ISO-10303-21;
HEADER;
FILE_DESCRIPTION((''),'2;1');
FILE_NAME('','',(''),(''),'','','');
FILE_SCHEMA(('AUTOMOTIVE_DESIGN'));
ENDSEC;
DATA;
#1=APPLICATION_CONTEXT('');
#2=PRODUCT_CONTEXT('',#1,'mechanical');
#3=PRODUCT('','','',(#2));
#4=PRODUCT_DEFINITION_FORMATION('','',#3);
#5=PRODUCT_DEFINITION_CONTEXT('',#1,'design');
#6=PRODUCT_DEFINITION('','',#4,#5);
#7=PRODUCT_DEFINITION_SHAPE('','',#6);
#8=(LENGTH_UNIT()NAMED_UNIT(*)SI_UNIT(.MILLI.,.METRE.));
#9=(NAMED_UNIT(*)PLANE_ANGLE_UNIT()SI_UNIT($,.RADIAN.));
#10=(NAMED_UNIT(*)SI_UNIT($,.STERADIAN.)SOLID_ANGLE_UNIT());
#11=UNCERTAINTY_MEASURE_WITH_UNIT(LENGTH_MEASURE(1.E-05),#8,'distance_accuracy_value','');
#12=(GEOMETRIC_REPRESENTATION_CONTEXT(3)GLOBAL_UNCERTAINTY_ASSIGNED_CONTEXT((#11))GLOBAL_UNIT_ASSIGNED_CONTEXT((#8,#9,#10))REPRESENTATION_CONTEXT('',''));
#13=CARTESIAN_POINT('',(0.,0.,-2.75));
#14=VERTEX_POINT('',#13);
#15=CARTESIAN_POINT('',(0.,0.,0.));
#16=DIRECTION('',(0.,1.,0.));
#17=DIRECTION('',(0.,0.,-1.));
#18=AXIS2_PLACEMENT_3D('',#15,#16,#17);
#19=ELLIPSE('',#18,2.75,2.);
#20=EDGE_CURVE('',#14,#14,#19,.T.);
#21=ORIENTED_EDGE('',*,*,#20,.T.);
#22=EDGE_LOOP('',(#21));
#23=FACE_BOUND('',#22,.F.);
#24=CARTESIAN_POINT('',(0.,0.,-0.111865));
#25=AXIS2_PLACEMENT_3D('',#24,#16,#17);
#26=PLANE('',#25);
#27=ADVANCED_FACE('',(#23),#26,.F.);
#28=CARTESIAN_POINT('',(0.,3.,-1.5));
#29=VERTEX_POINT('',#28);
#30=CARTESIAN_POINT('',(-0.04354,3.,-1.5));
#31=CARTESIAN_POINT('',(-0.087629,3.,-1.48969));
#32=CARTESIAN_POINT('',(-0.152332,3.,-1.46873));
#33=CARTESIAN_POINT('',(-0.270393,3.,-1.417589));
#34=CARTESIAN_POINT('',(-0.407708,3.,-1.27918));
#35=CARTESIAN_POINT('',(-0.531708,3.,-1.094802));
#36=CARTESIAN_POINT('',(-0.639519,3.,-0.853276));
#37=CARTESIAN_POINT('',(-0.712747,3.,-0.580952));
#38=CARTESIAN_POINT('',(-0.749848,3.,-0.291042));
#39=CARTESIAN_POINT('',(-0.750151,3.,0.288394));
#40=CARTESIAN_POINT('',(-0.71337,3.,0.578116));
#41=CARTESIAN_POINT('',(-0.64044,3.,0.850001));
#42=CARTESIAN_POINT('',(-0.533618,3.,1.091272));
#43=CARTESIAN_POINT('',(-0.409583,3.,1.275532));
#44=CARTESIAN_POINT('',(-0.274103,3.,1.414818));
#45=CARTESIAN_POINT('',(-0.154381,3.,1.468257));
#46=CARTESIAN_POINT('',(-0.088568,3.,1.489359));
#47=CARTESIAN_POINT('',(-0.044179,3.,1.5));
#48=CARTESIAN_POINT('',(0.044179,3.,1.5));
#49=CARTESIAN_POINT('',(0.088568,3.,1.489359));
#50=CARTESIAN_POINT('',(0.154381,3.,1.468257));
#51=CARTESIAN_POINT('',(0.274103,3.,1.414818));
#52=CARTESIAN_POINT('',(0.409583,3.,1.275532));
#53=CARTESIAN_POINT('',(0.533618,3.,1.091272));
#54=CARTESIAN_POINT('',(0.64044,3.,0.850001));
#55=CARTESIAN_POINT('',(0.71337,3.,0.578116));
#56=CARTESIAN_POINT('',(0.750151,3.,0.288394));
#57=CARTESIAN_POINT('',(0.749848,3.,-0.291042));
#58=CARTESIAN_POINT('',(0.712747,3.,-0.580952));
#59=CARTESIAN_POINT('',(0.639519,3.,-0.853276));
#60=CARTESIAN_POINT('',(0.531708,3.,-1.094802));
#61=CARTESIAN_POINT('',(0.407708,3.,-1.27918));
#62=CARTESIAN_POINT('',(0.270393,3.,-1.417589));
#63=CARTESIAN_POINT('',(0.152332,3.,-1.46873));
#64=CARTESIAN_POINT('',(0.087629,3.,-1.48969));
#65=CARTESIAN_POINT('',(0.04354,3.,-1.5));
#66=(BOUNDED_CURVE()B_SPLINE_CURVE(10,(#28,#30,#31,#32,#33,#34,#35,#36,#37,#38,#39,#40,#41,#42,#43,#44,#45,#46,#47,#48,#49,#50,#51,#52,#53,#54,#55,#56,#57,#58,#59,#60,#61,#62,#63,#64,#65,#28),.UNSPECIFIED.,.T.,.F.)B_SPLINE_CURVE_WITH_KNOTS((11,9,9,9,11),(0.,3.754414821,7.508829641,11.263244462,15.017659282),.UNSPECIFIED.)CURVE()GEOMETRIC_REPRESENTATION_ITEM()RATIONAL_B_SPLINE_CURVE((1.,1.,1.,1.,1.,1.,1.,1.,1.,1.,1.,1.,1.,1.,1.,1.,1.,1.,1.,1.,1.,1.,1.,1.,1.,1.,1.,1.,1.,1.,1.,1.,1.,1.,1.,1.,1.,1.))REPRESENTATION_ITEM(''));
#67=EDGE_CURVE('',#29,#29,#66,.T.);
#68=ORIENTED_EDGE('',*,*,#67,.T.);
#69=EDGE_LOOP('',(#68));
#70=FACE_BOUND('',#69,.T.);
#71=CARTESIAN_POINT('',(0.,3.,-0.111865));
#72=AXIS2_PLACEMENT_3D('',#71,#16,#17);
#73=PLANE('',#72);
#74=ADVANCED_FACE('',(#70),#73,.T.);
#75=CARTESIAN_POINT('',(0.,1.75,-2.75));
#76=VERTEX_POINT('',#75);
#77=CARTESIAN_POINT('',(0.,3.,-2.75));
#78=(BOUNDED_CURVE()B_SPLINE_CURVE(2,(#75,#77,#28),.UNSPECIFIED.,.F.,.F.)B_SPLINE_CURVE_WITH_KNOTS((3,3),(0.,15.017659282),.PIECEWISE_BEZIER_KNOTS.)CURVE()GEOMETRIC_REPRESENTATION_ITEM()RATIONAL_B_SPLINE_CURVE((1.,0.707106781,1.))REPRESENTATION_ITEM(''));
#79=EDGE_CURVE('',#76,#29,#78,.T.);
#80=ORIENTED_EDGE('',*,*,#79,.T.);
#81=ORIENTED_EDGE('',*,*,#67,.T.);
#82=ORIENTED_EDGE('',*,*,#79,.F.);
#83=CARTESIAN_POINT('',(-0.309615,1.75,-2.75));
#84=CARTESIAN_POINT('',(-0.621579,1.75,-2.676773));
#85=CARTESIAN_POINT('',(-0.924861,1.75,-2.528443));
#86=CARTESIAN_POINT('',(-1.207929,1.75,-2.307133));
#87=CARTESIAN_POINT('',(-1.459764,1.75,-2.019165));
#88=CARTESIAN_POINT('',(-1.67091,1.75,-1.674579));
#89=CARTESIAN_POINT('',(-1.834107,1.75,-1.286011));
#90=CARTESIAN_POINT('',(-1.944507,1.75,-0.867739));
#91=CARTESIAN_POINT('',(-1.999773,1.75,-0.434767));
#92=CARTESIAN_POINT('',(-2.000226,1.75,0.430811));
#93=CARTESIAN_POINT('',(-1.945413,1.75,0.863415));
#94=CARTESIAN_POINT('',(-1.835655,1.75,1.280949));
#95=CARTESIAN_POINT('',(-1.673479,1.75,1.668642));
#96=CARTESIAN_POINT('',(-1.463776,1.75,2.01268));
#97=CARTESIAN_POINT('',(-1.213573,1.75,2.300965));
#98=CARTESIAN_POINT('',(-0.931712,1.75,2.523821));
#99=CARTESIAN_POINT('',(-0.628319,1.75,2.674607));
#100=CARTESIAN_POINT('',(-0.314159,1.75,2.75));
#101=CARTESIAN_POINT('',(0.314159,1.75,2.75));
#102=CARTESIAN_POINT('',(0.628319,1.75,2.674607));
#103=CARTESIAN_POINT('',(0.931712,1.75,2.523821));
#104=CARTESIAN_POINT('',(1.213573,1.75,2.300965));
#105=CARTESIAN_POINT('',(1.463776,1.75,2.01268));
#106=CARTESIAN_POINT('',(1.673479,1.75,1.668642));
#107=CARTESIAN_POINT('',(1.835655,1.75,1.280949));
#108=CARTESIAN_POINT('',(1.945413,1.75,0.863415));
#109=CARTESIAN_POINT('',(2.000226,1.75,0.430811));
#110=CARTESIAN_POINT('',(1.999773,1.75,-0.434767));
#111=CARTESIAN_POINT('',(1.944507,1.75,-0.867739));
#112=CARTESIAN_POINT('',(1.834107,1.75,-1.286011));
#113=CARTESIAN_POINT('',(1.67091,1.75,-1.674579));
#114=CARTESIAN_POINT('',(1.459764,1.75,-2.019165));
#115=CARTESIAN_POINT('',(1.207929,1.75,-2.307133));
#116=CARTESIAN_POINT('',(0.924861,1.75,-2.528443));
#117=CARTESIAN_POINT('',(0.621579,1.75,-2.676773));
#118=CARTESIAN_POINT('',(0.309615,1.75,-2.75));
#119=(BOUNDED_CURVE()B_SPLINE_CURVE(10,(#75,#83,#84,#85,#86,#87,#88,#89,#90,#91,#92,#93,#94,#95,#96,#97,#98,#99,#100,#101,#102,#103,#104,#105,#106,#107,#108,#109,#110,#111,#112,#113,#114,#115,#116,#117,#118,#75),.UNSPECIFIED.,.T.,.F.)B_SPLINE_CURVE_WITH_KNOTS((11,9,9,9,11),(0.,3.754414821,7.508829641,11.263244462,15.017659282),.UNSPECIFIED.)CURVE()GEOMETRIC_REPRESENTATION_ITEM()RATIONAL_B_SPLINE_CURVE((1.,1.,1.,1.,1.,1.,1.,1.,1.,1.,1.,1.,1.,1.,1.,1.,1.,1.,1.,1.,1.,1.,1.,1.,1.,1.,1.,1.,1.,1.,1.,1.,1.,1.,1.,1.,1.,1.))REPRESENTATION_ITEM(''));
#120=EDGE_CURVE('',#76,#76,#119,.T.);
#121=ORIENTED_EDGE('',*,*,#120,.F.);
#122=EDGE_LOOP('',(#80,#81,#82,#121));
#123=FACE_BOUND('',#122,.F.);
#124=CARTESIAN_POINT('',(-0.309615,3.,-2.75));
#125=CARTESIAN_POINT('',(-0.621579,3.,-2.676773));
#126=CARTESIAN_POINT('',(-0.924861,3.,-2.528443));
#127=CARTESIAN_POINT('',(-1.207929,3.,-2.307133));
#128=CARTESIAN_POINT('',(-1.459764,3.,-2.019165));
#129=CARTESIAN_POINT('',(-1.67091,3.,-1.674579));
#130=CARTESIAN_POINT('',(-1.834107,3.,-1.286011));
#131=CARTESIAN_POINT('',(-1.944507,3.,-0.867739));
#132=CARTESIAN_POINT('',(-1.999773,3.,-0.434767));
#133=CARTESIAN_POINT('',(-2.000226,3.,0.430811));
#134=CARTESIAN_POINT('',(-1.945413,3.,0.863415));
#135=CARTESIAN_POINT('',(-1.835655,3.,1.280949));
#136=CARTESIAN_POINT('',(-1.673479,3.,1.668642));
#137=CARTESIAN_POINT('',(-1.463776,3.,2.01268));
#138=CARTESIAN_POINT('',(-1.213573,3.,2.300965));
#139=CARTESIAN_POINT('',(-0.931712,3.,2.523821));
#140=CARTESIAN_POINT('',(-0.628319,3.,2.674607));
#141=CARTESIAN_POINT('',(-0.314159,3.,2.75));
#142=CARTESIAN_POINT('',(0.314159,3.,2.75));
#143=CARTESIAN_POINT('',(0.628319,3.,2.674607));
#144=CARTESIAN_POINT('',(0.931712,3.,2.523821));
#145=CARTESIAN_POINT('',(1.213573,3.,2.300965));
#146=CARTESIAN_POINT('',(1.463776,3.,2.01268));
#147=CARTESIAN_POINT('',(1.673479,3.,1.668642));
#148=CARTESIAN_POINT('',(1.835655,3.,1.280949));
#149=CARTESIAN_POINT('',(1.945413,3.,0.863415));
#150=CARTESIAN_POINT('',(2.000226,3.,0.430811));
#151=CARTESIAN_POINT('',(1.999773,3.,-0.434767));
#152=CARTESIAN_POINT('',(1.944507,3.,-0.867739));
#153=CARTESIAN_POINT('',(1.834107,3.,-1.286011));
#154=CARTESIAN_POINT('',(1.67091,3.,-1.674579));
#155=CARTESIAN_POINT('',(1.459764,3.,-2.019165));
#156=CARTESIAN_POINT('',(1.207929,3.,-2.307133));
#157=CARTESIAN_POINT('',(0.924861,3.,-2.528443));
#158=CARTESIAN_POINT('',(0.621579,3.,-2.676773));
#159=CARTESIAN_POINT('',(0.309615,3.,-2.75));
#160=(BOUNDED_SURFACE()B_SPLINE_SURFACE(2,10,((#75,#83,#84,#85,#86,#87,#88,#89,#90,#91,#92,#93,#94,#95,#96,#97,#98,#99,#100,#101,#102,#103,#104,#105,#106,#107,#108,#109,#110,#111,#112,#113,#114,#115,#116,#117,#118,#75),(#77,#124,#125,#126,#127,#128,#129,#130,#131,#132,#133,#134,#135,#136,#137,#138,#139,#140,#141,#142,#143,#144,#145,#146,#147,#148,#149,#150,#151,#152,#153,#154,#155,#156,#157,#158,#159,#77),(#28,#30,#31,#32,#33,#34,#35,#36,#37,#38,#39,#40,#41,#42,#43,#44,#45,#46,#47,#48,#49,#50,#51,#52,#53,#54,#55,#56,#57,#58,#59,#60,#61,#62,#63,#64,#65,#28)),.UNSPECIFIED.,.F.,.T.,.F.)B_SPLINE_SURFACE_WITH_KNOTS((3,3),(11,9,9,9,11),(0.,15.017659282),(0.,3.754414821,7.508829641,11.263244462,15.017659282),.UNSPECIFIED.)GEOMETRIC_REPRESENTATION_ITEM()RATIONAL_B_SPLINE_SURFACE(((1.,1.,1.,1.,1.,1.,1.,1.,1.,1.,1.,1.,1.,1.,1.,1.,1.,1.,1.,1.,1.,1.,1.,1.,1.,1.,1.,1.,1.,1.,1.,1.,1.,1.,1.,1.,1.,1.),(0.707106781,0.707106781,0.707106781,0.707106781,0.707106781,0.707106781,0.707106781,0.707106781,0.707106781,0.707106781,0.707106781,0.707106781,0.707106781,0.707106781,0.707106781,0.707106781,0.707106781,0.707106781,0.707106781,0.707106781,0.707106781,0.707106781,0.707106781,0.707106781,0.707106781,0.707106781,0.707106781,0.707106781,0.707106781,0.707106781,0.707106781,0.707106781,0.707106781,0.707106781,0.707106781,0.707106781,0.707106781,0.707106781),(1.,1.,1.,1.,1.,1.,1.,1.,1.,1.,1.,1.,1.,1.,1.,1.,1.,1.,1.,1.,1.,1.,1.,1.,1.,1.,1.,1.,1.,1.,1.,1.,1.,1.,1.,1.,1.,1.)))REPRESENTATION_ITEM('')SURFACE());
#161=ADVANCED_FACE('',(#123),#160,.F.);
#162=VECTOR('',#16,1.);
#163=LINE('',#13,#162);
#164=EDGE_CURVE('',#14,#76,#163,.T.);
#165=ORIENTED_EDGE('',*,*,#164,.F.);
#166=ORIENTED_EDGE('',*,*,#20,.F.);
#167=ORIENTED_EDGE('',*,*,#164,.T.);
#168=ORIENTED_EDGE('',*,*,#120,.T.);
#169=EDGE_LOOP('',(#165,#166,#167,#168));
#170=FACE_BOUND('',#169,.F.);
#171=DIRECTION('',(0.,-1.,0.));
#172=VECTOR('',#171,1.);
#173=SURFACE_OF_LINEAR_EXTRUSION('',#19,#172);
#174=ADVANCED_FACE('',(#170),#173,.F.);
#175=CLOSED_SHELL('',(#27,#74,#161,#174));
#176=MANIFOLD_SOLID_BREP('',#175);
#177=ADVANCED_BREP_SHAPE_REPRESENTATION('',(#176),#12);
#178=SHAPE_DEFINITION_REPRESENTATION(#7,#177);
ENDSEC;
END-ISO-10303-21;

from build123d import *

# Parameters (mm, degrees)
SKETCH1_RX          = 2.75
SKETCH1_RY          = 2
BOSS_EXTRUDE1_DEPTH = 3
FILLET1_R           = 1.25


with BuildPart() as part:
    # Sketch1 → Boss-Extrude1 (new body)
    with BuildSketch(Plane(origin=(0, 0, 0), x_dir=(1, 0, 0), z_dir=(0, 1, 0))):
        with Locations(Location((0, 0), (0, 0, 90))):
            Ellipse(SKETCH1_RX, SKETCH1_RY)
    extrude(amount=BOSS_EXTRUDE1_DEPTH)

    # Fillet1
    fillet1_edges = [part.edges().sort_by_distance(p)[0] for p in [
        (0.000970351, 3, 2.749999676),
    ]]
    fillet(fillet1_edges, radius=FILLET1_R)


solid = part.part
